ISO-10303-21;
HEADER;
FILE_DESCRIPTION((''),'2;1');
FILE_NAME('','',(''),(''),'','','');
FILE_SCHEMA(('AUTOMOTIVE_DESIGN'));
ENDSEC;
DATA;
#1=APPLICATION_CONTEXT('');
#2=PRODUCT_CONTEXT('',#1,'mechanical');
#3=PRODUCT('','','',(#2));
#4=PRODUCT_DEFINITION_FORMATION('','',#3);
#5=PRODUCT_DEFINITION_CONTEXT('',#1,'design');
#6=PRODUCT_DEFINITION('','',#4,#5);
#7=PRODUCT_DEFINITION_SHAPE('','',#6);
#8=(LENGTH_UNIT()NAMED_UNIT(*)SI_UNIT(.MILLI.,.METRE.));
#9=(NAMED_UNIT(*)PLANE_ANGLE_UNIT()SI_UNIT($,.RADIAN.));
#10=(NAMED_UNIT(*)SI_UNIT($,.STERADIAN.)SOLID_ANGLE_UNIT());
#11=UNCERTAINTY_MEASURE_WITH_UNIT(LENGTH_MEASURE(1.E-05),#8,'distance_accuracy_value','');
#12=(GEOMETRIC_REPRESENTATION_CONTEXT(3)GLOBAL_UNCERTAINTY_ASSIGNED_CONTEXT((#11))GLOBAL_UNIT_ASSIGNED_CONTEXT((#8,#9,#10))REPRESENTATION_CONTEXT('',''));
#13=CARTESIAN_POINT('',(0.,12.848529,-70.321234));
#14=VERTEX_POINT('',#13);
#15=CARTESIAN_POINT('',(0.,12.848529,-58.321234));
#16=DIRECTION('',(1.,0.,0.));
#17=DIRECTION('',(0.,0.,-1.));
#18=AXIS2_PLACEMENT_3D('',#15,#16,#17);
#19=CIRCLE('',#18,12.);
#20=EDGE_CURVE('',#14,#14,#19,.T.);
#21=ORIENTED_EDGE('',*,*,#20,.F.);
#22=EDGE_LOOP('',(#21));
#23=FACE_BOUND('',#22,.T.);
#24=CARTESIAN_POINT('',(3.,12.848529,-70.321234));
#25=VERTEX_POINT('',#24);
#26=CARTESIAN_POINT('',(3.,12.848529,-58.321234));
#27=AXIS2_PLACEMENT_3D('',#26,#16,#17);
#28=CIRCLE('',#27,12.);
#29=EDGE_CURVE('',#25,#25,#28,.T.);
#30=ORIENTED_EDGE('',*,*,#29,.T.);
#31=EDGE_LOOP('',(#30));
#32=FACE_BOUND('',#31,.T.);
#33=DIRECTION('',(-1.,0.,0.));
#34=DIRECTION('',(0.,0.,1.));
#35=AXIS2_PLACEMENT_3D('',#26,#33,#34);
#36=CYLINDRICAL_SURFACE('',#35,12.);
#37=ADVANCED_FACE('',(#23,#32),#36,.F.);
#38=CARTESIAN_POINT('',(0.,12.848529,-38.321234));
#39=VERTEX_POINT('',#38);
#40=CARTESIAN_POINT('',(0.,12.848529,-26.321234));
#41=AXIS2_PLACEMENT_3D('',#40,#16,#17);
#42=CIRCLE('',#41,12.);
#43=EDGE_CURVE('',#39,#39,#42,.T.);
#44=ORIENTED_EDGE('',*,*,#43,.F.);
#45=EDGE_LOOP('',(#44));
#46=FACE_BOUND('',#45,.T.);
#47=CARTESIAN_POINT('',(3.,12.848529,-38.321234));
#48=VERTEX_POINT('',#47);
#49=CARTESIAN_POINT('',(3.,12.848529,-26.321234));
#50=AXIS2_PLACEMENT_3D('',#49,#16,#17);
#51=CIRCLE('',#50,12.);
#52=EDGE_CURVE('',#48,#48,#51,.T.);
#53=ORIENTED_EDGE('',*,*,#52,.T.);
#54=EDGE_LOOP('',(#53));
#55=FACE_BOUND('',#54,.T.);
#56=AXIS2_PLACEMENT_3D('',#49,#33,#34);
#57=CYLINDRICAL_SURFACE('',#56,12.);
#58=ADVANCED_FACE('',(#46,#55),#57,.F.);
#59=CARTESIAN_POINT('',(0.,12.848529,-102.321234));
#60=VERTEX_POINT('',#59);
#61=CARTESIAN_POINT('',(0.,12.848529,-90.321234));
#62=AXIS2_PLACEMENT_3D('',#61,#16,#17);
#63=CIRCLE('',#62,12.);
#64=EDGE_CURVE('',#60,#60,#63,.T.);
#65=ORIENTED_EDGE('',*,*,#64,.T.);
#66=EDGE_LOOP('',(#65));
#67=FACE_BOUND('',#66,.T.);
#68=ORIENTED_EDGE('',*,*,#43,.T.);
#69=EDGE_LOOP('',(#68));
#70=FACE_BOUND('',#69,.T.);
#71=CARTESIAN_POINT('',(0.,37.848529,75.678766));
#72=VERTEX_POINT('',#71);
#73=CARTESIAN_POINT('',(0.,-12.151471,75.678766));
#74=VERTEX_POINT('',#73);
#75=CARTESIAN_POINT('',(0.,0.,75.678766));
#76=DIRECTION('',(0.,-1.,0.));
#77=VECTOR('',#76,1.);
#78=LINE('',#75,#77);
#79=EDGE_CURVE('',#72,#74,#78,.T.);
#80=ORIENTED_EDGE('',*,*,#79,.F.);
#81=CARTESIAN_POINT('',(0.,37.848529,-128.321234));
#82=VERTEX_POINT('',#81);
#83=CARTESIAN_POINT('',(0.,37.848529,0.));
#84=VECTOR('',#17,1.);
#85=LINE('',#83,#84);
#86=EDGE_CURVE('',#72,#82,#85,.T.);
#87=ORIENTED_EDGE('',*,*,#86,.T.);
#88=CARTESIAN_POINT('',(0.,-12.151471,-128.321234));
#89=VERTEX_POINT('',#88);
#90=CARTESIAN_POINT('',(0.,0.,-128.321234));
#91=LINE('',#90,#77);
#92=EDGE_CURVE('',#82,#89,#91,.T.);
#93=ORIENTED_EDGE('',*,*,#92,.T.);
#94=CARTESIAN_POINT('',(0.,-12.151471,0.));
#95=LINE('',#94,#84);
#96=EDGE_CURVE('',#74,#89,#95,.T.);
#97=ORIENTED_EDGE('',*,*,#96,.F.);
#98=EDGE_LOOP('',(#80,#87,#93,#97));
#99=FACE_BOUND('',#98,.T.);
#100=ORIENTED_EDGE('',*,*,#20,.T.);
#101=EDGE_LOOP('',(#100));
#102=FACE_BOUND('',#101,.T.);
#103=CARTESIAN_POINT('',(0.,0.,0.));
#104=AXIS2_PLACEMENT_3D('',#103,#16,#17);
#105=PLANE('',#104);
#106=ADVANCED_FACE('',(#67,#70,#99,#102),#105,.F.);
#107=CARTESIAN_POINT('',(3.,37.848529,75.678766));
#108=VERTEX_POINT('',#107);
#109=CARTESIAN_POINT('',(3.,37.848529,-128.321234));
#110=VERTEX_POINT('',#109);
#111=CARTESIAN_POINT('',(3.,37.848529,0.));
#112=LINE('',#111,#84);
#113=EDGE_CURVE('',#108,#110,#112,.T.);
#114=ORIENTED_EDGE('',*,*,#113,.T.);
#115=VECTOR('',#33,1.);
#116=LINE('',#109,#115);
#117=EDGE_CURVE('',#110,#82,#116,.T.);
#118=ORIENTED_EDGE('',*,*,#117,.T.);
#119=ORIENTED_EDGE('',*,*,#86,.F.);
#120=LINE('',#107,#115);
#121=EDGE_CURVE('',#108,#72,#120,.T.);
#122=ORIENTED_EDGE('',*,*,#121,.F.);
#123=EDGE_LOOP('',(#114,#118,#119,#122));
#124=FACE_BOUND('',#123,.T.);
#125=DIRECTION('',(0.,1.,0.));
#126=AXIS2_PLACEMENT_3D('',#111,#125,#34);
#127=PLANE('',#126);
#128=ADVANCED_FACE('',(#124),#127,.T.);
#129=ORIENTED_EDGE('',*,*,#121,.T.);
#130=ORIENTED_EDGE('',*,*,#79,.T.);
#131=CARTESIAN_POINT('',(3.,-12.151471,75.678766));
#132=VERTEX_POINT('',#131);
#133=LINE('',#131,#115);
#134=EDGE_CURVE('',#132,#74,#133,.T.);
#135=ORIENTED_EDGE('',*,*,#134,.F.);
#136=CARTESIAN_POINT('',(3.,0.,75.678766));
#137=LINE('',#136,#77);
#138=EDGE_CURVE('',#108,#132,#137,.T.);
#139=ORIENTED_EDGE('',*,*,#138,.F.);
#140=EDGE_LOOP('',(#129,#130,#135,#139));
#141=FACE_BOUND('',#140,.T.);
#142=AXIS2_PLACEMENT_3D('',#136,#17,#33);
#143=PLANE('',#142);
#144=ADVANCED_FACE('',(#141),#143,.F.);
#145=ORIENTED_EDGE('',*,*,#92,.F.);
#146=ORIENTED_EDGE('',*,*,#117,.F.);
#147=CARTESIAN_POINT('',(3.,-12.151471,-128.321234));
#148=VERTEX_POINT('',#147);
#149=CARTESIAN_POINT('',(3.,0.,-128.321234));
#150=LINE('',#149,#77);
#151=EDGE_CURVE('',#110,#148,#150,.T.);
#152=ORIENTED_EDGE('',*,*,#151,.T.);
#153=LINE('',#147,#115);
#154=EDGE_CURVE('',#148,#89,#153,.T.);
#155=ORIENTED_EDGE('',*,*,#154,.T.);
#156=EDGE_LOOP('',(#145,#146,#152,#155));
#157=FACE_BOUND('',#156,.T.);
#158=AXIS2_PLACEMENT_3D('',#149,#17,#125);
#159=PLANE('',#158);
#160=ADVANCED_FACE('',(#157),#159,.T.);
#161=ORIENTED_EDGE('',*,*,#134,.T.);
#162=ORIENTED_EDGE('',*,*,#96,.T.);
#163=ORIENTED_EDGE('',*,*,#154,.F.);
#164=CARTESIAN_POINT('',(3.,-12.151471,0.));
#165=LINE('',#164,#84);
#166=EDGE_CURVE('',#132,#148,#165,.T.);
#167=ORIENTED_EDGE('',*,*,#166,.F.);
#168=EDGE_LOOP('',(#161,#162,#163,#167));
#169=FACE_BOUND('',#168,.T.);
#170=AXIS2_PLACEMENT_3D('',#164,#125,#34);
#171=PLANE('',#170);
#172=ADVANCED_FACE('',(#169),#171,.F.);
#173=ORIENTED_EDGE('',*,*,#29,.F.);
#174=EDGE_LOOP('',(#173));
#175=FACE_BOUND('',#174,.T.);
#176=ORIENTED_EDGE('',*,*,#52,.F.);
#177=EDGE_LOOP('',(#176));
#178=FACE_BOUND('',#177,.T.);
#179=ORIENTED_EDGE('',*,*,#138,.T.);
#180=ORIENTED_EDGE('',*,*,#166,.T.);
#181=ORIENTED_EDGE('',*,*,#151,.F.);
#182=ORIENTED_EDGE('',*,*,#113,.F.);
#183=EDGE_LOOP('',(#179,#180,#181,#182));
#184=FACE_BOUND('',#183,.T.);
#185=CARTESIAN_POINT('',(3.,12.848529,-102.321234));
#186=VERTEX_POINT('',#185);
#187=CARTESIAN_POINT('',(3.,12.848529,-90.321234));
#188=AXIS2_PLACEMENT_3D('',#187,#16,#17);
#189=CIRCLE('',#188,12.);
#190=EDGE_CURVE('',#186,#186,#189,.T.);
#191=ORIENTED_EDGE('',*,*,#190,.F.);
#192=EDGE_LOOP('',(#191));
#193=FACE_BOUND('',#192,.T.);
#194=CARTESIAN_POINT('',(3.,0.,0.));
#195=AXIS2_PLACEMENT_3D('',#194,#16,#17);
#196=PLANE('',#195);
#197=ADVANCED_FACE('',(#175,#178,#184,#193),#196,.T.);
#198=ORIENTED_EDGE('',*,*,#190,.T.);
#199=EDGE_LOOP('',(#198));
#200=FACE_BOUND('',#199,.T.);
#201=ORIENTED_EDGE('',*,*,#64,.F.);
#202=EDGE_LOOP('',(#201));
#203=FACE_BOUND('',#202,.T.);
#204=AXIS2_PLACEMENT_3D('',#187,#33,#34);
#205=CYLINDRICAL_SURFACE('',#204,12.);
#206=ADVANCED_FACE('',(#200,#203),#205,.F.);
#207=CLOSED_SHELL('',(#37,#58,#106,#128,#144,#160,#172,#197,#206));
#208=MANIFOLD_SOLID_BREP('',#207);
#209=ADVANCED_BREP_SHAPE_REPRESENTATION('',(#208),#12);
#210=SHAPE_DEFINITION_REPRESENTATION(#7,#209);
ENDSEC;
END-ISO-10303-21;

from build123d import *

# Parameters (mm, degrees)
SKETCH1_W           = 204
SKETCH1_H           = 50
SKETCH1_R           = 12
BOSS_EXTRUDE1_DEPTH = 3


with BuildPart() as part:
    # Sketch1 → Boss-Extrude1 (new body)
    with BuildSketch(Plane(origin=(0, 0, 6.996601353), x_dir=(0, 0, -1), z_dir=(1, 0, 0))):
        with Locations((33.317835299, 12.848528784)):
            Rectangle(SKETCH1_W, SKETCH1_H)
        with Locations((97.317835299, 12.848528784)):
            Circle(SKETCH1_R, mode=Mode.SUBTRACT)
        with Locations((33.317835299, 12.848528784)):
            Circle(SKETCH1_R, mode=Mode.SUBTRACT)
        with Locations((65.317835299, 12.848528784)):
            Circle(SKETCH1_R, mode=Mode.SUBTRACT)
    extrude(amount=BOSS_EXTRUDE1_DEPTH)


solid = part.part
